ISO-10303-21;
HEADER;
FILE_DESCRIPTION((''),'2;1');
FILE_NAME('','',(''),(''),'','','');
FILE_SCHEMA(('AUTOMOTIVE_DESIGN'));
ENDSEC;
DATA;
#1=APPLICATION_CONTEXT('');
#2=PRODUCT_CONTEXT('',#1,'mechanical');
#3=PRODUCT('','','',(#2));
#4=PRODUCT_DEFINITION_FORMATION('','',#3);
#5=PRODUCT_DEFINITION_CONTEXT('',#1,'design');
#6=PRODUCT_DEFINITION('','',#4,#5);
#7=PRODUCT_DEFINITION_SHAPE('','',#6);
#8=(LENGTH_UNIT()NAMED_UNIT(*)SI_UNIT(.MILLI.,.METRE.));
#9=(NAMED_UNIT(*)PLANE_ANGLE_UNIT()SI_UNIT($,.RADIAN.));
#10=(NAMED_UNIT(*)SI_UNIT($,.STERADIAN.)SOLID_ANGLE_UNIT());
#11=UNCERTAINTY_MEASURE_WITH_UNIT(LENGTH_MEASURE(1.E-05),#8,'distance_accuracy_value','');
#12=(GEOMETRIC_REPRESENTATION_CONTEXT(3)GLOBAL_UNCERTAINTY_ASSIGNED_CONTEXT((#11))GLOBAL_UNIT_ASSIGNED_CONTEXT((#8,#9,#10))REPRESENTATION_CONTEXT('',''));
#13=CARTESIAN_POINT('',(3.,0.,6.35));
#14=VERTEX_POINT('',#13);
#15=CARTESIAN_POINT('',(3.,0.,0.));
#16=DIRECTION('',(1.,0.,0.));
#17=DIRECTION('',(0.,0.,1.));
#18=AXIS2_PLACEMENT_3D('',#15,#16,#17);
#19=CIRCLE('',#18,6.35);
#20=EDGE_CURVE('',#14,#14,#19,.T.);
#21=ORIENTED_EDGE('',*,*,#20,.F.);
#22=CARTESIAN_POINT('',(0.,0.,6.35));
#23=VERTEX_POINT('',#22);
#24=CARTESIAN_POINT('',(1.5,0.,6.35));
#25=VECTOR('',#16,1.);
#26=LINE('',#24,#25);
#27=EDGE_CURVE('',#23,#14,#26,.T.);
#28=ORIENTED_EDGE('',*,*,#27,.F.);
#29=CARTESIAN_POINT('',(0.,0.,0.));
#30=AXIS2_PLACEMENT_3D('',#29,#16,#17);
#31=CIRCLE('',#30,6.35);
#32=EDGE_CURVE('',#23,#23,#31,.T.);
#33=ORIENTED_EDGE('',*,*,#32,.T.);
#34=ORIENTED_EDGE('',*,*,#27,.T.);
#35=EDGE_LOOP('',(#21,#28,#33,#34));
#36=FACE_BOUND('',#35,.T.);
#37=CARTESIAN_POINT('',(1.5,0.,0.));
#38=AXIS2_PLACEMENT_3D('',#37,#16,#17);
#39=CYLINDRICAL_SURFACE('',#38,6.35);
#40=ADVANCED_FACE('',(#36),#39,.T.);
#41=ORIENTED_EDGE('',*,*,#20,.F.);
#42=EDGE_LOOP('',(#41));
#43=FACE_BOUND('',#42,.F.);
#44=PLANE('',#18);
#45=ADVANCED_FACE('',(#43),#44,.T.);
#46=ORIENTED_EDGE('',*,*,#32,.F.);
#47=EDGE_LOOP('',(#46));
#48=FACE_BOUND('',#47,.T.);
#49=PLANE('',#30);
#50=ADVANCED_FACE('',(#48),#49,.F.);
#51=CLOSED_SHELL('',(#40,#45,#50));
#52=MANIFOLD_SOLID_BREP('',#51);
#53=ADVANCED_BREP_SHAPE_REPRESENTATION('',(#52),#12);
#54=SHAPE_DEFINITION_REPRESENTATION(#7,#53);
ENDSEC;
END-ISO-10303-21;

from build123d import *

# Parameters (mm, degrees)
SKETCH_1_W = 3
SKETCH_1_H = 6.35


with BuildPart() as part:
    # 草图1 → 旋转2 (revolve)
    with BuildSketch(Plane.XY, mode=Mode.PRIVATE) as revolve_2_sk:
        with Locations((1.5, 3.175)):
            Rectangle(SKETCH_1_W, SKETCH_1_H)
    revolve(revolve_2_sk.sketch.rotate(Axis((0, 0, 0), (1, 0, 0)), 90), axis=Axis((0, 0, 0), (1, 0, 0)))  # turned: the seam where the file's is


solid = part.part
